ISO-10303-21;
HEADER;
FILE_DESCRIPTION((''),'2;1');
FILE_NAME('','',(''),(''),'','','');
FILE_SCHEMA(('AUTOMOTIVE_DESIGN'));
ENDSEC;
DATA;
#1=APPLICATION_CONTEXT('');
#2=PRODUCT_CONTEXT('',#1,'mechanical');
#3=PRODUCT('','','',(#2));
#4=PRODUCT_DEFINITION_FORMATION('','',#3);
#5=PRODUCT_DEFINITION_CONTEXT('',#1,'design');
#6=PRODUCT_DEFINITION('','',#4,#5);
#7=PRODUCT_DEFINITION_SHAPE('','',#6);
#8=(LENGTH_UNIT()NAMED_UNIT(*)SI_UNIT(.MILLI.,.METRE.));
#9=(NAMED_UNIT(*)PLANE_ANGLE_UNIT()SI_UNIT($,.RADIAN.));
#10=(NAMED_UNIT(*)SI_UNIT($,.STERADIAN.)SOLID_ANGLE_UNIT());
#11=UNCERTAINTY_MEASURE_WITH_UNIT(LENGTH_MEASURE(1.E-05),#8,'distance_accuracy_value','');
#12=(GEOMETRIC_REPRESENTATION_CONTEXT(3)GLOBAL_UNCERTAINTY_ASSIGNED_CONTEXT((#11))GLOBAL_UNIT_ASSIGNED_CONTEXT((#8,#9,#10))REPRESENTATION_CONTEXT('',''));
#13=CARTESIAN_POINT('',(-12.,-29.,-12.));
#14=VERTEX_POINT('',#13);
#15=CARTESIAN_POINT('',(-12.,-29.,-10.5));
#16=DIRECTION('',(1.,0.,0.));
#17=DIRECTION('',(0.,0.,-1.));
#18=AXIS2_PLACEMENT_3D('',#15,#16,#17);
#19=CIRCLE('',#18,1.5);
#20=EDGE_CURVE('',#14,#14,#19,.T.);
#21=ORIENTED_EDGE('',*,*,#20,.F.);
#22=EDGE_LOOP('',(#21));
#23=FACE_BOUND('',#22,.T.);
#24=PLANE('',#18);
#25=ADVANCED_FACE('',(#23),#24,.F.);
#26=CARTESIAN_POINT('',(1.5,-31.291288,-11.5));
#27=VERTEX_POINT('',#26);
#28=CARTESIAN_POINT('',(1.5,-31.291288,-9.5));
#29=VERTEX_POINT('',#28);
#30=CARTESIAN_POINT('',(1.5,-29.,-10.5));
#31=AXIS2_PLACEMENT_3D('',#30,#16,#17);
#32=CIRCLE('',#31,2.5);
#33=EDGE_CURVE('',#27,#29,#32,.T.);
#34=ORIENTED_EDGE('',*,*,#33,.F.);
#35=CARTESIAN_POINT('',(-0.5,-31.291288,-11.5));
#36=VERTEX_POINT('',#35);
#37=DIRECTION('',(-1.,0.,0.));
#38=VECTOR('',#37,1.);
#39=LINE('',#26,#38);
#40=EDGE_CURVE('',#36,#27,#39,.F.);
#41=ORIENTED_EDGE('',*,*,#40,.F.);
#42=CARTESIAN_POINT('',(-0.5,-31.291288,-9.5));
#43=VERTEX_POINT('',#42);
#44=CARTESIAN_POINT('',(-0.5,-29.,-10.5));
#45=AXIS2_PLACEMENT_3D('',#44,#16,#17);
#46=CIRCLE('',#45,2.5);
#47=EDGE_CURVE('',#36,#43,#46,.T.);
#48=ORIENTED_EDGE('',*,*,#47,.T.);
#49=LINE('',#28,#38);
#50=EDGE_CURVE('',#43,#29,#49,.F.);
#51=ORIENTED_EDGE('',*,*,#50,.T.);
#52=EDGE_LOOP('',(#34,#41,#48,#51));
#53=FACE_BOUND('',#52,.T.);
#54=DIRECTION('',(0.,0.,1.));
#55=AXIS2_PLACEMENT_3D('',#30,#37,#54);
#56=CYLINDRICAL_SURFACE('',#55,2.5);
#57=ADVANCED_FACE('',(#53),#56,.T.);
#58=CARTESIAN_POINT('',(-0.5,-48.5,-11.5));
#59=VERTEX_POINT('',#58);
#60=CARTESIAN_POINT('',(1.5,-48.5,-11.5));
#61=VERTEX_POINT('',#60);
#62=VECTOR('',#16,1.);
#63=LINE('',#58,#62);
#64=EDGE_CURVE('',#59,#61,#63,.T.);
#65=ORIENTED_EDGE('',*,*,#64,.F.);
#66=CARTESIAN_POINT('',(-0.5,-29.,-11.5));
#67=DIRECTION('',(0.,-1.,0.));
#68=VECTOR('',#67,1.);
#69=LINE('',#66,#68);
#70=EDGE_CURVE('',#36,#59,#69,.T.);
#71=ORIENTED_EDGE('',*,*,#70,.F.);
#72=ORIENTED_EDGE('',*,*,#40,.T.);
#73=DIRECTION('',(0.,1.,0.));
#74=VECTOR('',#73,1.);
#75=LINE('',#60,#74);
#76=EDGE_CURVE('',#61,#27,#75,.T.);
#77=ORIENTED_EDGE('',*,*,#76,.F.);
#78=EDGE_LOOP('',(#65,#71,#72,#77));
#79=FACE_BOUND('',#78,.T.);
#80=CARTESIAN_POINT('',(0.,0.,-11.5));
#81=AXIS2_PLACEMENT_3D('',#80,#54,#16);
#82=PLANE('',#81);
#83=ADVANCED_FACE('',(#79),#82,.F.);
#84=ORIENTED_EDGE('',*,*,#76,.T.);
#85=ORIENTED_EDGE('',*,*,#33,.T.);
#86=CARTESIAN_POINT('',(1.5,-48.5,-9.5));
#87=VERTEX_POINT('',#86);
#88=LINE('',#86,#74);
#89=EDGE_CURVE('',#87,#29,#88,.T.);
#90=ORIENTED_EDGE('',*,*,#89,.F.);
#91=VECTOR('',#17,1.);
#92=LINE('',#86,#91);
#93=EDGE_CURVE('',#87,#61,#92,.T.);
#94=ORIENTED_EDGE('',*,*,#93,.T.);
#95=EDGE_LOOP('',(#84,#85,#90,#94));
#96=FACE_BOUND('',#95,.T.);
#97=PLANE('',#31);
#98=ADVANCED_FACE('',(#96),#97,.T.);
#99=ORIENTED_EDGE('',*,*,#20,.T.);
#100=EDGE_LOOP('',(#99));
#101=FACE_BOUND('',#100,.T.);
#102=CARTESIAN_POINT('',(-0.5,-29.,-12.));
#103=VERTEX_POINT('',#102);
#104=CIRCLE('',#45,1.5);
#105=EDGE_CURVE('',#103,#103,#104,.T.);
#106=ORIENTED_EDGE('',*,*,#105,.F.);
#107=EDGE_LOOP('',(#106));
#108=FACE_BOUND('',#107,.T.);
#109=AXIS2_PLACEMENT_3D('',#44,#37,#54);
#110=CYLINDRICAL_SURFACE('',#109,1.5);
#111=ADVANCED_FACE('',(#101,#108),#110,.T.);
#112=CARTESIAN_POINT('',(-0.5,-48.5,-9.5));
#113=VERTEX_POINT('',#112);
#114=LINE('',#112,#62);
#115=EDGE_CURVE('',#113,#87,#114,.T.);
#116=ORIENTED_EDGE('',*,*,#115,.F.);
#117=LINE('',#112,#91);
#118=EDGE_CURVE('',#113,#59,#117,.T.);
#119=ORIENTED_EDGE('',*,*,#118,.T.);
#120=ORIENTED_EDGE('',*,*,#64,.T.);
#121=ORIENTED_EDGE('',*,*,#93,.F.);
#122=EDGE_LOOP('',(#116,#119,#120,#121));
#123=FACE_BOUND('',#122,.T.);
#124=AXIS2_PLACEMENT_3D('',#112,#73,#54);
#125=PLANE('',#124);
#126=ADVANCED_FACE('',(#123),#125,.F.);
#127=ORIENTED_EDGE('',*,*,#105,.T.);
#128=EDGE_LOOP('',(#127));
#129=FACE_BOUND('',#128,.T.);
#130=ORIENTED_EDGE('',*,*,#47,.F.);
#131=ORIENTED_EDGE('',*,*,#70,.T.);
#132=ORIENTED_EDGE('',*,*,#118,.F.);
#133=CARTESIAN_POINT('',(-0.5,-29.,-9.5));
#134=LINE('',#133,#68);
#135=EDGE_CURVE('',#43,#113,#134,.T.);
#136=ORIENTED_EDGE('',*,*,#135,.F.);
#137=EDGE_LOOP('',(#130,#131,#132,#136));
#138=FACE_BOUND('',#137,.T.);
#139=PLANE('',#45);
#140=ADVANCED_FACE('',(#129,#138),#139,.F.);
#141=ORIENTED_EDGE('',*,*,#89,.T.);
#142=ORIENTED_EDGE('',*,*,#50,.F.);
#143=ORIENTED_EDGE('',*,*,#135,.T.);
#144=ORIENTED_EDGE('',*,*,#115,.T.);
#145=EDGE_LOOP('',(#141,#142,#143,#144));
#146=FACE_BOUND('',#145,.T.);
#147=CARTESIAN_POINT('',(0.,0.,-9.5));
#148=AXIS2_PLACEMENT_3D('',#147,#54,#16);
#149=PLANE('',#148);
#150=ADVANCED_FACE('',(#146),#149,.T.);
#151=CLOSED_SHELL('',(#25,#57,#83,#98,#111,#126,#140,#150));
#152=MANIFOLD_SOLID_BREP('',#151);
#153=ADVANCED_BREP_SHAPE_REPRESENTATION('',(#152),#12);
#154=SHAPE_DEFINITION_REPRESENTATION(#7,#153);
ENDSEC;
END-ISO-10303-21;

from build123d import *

# Parameters (mm, degrees)
SERVICE_PIN_SHANK_SKETCH_R = 1.5
SERVICE_PIN_SHANK_DEPTH    = 11.5
SERVICE_PIN_HEAD_SKETCH_R  = 2.5
SERVICE_PIN_HEAD_DEPTH     = 2
LOCK_SWITCH_FLAG_SKETCH_W  = 2
LOCK_SWITCH_FLAG_SKETCH_H  = 19.5
LOCK_SWITCH_FLAG_DEPTH     = 2


with BuildPart() as part:
    # Service pin shank sketch → Service pin shank (new body)
    with BuildSketch(Plane(origin=(-12, 0, 0), x_dir=(0, 0, -1), z_dir=(1, 0, 0))):
        with Locations((10.5, -29)):
            Circle(SERVICE_PIN_SHANK_SKETCH_R)
    extrude(amount=SERVICE_PIN_SHANK_DEPTH)

    # Service pin head sketch → Service pin head (add)
    with BuildSketch(Plane(origin=(-0.5, 0, 0), x_dir=(0, 0, -1), z_dir=(1, 0, 0))):
        with Locations((10.5, -29)):
            Circle(SERVICE_PIN_HEAD_SKETCH_R)
    extrude(amount=SERVICE_PIN_HEAD_DEPTH)

    # Lock switch flag sketch → Lock switch flag (add)
    with BuildSketch(Plane.XY.offset(-11.5)):
        with Locations((0.5, -38.75)):
            Rectangle(LOCK_SWITCH_FLAG_SKETCH_W, LOCK_SWITCH_FLAG_SKETCH_H)
    extrude(amount=LOCK_SWITCH_FLAG_DEPTH)


solid = part.part
